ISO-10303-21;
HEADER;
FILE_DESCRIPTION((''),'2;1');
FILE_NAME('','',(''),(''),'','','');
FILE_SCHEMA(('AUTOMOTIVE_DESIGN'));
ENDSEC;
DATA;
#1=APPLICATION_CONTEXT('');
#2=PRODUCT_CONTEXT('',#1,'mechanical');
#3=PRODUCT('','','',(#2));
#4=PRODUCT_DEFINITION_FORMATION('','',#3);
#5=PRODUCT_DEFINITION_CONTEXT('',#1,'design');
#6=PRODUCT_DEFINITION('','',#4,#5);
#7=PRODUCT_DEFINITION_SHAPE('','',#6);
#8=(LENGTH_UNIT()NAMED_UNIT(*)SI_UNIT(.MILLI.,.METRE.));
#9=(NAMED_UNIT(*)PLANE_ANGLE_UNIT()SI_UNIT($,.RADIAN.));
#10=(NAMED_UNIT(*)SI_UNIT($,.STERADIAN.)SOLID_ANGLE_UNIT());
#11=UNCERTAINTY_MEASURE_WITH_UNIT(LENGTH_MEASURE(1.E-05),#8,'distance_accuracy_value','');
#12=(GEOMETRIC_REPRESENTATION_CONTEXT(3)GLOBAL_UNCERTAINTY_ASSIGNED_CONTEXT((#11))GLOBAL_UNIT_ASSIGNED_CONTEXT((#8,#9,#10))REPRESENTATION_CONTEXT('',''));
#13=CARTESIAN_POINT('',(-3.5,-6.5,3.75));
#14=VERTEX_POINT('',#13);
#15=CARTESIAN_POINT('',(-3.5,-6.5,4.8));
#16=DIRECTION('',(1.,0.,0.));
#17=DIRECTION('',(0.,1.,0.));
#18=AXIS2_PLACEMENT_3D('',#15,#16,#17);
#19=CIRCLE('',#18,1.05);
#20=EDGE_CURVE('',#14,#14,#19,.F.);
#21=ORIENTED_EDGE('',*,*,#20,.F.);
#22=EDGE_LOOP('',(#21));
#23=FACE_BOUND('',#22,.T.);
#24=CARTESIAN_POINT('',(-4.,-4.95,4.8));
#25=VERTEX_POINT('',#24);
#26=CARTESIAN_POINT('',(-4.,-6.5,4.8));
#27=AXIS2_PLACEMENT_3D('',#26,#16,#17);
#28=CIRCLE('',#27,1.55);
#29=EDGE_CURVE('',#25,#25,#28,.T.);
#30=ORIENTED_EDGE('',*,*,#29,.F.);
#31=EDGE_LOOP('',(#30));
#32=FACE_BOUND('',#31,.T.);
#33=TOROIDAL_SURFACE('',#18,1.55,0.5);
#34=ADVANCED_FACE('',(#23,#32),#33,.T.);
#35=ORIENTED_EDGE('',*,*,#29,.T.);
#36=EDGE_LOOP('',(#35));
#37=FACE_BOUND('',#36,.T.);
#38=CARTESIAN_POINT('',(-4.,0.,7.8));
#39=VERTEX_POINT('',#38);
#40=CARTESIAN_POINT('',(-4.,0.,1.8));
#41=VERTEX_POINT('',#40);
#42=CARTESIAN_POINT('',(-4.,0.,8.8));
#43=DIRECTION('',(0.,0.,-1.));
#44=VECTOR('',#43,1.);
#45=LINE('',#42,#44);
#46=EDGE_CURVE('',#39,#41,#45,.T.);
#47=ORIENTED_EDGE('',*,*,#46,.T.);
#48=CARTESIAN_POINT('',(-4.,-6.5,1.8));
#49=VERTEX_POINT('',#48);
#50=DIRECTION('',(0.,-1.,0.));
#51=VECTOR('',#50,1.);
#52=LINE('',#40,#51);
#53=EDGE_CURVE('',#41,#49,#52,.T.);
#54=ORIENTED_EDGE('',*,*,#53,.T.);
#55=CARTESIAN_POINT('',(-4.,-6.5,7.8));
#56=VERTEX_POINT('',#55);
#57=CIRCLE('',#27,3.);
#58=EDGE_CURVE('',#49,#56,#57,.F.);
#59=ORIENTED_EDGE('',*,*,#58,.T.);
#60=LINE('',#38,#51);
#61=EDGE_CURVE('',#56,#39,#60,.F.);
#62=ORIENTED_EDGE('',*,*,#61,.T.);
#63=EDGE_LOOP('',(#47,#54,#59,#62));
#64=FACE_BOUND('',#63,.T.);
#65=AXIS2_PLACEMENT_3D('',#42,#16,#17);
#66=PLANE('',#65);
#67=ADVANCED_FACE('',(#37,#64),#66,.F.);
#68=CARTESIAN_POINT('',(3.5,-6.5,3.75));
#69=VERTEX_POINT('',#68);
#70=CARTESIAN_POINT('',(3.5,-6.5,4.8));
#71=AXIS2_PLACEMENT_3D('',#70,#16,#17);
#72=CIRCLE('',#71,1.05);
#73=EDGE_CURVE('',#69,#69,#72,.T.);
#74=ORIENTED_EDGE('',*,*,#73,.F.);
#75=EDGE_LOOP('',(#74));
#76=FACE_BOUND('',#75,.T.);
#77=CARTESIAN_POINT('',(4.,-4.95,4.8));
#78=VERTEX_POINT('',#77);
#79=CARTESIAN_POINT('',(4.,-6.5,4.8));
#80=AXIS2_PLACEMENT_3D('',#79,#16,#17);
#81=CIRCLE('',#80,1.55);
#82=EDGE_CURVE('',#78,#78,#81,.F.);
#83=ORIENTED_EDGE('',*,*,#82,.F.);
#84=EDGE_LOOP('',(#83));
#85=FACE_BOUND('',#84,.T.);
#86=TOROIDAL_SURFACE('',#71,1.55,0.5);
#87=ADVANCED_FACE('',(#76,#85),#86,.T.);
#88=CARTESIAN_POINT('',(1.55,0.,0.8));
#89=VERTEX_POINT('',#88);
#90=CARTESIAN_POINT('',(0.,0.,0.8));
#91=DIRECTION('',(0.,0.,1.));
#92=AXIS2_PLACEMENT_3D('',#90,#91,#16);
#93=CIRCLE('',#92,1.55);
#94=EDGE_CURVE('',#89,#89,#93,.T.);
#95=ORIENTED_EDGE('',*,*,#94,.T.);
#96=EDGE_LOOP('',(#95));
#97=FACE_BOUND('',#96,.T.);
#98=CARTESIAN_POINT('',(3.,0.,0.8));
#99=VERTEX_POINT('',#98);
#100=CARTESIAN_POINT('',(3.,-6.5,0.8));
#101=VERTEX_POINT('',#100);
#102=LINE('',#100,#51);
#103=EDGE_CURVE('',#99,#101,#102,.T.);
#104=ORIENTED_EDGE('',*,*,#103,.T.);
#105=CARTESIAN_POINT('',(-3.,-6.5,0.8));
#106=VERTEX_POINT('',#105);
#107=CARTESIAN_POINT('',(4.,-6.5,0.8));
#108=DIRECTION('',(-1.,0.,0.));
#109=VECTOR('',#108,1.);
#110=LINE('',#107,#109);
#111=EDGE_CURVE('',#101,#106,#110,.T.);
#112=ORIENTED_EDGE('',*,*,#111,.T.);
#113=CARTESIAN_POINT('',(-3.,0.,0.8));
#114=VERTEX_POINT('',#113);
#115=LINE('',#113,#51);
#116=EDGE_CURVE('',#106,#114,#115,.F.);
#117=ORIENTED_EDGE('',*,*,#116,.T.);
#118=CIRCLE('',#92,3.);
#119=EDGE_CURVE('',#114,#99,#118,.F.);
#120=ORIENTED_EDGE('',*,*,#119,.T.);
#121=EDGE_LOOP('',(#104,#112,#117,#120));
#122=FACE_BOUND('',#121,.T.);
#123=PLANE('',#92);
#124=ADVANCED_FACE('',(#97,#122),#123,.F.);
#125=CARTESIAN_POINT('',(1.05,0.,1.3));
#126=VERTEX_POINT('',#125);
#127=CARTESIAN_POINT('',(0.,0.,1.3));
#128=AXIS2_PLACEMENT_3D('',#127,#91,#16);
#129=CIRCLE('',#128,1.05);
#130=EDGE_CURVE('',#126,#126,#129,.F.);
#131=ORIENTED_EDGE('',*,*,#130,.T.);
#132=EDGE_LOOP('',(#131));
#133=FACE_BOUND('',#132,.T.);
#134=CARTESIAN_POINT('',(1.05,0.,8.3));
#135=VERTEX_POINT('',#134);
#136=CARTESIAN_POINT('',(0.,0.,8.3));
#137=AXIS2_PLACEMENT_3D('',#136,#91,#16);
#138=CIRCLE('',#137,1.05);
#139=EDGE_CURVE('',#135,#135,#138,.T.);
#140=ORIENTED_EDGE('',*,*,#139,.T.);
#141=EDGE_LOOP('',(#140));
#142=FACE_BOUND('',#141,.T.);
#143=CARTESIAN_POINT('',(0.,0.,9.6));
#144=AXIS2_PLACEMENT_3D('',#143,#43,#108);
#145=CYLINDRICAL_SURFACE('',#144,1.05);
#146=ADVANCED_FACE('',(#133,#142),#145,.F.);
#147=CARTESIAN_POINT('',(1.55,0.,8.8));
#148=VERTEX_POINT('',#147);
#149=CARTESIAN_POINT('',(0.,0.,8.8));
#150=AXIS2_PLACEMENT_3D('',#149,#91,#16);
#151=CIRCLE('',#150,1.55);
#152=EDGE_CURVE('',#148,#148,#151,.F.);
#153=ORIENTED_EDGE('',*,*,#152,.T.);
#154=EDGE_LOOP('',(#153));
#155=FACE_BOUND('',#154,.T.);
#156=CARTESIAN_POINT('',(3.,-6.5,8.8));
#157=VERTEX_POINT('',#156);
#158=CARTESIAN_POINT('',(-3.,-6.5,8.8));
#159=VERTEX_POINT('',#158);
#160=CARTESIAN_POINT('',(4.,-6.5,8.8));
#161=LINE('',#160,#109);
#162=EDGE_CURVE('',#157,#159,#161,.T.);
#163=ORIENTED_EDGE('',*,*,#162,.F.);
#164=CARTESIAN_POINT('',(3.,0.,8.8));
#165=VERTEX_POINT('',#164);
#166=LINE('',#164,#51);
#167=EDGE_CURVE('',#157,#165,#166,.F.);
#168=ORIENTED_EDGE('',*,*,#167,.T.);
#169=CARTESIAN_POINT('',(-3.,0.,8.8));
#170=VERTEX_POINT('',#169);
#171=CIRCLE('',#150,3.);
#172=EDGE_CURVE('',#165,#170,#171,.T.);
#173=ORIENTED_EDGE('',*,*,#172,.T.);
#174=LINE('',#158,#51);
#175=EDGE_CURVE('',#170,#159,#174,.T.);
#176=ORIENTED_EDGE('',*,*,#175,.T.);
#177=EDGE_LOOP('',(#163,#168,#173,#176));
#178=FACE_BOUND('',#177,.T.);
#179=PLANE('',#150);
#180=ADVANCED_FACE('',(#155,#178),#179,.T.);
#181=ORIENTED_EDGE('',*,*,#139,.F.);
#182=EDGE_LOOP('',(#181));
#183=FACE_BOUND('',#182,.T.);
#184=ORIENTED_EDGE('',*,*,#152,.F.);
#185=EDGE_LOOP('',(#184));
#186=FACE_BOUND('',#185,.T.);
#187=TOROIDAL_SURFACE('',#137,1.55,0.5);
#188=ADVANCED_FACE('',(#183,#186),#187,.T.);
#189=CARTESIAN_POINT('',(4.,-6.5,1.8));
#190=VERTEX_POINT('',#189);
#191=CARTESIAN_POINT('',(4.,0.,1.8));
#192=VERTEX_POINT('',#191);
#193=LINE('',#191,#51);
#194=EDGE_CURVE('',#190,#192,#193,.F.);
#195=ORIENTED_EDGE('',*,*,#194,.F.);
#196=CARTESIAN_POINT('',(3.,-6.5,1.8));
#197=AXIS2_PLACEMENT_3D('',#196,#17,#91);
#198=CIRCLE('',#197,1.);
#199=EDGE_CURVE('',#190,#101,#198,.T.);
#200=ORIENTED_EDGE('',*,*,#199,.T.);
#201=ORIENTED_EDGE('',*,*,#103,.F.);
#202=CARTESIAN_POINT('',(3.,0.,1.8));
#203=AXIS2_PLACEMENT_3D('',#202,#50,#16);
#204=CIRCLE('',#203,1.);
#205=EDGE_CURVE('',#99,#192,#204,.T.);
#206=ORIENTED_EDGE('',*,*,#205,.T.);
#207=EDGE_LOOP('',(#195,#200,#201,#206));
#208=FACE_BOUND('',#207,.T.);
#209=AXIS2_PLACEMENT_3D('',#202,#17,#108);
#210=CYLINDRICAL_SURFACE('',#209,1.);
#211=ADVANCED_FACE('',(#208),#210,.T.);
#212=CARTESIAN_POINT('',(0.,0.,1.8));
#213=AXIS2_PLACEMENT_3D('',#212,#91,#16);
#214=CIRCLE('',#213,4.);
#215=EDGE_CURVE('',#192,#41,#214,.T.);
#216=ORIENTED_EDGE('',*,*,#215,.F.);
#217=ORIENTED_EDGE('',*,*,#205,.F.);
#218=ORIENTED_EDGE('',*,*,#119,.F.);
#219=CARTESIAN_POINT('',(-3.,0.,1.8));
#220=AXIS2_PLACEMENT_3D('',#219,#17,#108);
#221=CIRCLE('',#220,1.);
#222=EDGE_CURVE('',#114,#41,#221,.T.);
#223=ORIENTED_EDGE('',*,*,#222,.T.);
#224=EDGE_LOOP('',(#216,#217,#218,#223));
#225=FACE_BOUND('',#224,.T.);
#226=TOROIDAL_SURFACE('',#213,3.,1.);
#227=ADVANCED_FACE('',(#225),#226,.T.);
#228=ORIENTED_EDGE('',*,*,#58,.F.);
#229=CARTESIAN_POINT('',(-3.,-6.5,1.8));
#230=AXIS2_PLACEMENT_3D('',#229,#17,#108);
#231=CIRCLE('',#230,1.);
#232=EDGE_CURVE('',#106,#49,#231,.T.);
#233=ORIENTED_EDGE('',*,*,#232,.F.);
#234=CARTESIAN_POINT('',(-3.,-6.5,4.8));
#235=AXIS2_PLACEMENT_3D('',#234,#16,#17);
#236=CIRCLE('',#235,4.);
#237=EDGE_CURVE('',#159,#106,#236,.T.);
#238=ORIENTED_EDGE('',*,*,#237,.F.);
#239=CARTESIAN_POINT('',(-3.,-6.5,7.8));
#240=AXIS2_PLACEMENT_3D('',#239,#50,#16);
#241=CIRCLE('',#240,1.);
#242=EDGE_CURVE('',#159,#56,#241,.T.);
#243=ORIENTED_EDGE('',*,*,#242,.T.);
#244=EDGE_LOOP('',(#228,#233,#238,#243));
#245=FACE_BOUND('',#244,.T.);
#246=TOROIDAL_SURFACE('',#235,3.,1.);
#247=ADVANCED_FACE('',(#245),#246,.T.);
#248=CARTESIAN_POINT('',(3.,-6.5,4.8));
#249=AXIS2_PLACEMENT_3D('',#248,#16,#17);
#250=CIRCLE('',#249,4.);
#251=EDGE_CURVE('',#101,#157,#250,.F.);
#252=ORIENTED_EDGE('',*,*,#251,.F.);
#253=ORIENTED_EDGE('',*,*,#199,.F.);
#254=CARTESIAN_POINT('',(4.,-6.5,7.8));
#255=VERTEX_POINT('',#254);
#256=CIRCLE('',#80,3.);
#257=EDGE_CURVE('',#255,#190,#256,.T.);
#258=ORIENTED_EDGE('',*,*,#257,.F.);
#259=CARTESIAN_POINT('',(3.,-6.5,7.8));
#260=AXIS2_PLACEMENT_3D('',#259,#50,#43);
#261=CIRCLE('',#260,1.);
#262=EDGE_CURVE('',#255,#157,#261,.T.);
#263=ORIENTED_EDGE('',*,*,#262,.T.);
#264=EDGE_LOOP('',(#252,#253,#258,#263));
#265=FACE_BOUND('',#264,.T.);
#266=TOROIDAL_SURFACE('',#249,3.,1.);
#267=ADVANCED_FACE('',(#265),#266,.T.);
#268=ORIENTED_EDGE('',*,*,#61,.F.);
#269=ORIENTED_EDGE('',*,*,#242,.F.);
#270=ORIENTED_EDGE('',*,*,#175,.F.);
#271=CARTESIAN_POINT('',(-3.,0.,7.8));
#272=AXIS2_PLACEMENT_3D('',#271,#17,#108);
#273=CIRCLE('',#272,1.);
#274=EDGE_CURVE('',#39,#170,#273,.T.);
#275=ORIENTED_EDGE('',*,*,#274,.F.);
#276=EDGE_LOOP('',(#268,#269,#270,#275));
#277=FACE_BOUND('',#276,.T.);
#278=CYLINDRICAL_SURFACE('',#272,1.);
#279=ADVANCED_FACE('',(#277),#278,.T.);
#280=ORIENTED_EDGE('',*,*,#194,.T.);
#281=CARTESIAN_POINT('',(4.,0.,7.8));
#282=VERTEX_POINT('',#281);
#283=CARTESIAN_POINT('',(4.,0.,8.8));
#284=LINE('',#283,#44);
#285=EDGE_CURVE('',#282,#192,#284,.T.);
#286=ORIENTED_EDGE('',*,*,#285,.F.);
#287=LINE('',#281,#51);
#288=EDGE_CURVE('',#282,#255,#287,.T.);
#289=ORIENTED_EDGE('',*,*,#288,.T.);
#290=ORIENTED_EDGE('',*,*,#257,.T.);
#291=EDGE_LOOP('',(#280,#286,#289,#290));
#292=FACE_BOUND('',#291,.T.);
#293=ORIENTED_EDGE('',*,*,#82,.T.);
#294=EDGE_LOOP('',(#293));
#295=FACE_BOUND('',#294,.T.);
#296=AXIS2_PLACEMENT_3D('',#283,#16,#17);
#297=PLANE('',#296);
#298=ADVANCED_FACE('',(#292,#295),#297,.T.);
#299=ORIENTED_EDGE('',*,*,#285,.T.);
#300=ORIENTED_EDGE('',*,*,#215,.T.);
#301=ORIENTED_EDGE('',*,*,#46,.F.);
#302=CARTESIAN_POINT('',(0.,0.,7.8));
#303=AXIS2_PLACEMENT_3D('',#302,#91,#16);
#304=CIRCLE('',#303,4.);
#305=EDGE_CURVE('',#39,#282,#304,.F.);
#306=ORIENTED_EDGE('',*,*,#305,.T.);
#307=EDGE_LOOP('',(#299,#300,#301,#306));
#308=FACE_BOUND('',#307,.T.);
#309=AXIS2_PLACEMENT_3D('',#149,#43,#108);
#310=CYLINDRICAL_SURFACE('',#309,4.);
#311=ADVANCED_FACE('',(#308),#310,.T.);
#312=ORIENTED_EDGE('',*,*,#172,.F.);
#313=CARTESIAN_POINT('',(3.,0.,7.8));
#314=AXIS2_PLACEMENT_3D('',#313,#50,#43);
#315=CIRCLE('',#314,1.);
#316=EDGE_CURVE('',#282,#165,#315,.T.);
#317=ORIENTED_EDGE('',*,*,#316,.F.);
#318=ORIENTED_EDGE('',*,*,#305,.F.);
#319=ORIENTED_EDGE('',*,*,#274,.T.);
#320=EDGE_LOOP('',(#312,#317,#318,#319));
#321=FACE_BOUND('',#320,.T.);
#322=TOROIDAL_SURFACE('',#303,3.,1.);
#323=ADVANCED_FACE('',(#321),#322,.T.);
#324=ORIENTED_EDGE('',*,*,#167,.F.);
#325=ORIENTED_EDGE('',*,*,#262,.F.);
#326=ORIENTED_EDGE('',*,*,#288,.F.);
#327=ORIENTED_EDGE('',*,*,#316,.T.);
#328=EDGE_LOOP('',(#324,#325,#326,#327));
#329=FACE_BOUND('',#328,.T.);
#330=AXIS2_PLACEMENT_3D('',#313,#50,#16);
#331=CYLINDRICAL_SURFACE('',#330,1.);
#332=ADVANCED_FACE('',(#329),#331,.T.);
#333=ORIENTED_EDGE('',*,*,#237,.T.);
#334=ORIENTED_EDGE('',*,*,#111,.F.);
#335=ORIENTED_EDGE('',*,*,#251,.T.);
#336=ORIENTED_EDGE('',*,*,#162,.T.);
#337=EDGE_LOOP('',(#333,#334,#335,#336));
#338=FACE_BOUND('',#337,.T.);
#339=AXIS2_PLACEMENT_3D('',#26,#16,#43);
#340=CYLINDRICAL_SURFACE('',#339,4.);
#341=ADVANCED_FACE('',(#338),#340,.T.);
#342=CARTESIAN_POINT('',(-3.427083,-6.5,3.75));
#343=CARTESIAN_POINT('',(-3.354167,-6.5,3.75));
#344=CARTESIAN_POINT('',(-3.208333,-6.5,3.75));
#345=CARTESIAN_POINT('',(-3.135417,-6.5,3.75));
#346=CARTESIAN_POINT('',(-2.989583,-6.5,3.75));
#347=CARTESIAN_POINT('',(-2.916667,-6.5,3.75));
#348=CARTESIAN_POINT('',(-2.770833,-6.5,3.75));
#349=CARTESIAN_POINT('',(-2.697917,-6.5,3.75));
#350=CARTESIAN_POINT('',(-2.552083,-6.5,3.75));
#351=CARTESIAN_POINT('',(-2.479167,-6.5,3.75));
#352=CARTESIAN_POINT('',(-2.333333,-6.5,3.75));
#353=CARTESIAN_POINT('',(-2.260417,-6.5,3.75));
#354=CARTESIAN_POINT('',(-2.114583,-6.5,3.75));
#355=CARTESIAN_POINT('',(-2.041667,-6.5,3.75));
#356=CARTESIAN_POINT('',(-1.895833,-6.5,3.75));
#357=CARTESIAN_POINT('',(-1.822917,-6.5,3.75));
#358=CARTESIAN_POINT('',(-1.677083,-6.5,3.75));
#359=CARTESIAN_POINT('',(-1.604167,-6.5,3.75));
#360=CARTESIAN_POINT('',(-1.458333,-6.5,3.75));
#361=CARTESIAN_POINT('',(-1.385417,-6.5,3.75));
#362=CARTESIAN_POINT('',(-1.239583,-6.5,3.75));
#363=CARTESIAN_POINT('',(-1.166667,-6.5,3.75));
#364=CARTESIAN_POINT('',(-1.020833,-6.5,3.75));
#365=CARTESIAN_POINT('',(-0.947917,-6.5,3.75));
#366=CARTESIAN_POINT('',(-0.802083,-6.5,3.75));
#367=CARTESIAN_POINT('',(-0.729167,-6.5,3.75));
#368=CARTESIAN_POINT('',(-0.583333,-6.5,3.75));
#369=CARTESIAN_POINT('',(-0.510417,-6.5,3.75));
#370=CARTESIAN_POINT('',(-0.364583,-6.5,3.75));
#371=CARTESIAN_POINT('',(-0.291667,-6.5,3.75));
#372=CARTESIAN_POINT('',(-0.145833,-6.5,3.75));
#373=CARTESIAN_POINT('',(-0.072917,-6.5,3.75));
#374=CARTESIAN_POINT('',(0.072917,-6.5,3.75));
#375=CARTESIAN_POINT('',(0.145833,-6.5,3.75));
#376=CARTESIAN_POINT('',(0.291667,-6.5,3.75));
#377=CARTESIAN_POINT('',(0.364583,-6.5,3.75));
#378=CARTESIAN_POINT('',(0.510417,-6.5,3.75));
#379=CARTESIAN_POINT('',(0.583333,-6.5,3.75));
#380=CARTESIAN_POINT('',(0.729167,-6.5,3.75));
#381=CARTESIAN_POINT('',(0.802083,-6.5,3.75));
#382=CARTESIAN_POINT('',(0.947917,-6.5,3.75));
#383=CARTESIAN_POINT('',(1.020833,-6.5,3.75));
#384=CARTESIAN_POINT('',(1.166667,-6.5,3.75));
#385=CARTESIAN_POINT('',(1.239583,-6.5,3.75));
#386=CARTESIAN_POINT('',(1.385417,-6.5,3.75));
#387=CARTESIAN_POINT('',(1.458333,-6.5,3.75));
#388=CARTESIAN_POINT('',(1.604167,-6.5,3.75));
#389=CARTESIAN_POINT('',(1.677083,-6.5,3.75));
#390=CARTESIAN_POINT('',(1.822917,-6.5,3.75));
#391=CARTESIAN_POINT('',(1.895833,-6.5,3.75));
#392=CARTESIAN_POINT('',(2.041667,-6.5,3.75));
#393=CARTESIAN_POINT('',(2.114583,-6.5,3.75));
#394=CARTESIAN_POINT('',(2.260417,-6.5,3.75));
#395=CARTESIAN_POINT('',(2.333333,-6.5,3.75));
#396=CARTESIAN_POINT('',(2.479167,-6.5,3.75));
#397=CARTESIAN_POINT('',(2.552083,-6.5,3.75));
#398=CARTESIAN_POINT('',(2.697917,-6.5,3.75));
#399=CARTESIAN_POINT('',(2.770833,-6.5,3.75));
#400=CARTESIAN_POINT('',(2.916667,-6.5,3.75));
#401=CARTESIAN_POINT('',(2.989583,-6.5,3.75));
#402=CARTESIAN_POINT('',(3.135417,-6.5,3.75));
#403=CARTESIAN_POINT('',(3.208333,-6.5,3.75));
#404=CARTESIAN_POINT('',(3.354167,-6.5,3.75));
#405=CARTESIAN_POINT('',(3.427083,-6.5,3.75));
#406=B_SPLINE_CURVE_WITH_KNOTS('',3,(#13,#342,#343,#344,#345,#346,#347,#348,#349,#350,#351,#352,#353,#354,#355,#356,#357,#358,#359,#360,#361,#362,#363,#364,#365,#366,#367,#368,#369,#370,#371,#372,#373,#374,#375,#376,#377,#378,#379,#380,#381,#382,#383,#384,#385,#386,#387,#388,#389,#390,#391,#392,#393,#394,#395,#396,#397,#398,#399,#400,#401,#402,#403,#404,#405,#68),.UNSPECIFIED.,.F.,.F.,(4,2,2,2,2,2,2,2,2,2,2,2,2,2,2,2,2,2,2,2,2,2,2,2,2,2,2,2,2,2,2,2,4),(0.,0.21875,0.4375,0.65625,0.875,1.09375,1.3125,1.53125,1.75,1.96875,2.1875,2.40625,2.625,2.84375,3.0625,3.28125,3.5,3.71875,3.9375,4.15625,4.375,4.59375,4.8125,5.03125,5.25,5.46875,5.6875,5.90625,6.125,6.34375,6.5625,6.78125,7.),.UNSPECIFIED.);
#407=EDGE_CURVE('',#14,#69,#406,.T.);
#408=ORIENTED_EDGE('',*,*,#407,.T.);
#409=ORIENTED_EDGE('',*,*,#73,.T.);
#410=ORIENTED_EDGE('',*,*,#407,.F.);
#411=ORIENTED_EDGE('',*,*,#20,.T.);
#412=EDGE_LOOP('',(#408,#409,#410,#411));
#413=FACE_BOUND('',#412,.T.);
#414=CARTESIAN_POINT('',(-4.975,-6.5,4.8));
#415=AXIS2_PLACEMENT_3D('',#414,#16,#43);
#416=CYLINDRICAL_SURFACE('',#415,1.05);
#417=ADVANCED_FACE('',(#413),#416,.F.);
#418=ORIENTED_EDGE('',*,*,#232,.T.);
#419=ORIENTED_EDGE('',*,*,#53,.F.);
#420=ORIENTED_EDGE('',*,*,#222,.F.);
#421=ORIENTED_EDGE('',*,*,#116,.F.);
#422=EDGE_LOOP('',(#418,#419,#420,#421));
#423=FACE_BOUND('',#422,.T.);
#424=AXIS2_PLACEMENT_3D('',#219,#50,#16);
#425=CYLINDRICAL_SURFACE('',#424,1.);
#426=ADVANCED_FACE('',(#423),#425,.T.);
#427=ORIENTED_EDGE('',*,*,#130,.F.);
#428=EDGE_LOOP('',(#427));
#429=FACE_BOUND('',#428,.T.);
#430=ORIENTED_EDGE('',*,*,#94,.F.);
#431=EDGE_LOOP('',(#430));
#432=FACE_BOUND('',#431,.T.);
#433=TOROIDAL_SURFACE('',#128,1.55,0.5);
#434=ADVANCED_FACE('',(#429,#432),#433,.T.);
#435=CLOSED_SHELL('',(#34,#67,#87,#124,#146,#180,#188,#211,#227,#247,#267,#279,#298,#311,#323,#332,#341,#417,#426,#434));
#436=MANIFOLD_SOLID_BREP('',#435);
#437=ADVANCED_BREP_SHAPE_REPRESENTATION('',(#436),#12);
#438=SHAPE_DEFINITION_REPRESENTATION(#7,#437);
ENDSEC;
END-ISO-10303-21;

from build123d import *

# Parameters (mm, degrees)
BOSS_EXTRUDE1_START = 0.8
SKETCH2_R           = 4
BOSS_EXTRUDE1_DEPTH = 8
SKETCH10_W          = 8
SKETCH10_H          = 6.5
BOSS_EXTRUDE2_DEPTH = 8
BOSS_EXTRUDE3_START = 4
SKETCH8_R           = 4
BOSS_EXTRUDE3_DEPTH = 8
SKETCH1_R           = 1.05
CUT_EXTRUDE2_DEPTH  = 9.6
CUT_EXTRUDE3_START  = 4.975
SKETCH9_R           = 1.05
CUT_EXTRUDE3_DEPTH  = 9.95
FILLET1_R           = 1
FILLET2_R           = 0.5


with BuildPart() as part:
    # Sketch2 → Boss-Extrude1 (new body)
    with BuildSketch(Plane.XY.offset(BOSS_EXTRUDE1_START)):
        Circle(SKETCH2_R)
    extrude(amount=BOSS_EXTRUDE1_DEPTH)

    # Sketch10 → Boss-Extrude2 (add)
    with BuildSketch(Plane(origin=(0, 0, 0.8), x_dir=(-1, 0, 0), z_dir=(0, 0, -1))):
        with Locations((0, -3.25)):
            Rectangle(SKETCH10_W, SKETCH10_H)
    extrude(amount=-BOSS_EXTRUDE2_DEPTH)

    # Sketch8 → Boss-Extrude3 (add)
    with BuildSketch(Plane(origin=(0, 0, 0), x_dir=(0, 0, -1), z_dir=(1, 0, 0)).offset(BOSS_EXTRUDE3_START)):
        with Locations((-4.8, -6.5)):
            Circle(SKETCH8_R)
    extrude(amount=-BOSS_EXTRUDE3_DEPTH)

    # Sketch1 → Cut-Extrude2 (cut)
    with BuildSketch(Plane.XY):
        Circle(SKETCH1_R)
    extrude(amount=CUT_EXTRUDE2_DEPTH, mode=Mode.SUBTRACT)

    # Sketch9 → Cut-Extrude3 (cut)
    with BuildSketch(Plane(origin=(0, 0, 0), x_dir=(0, 0, -1), z_dir=(1, 0, 0)).offset(CUT_EXTRUDE3_START)):
        with Locations((-4.8, -6.5)):
            Circle(SKETCH9_R)
    extrude(amount=-CUT_EXTRUDE3_DEPTH, mode=Mode.SUBTRACT)

    # Fillet1
    fillet1_edges = [part.edges().sort_by_distance(p)[0] for p in [
        (-4, -3.25, 8.8),
        (4, -3.25, 0.8),
        (0, 4, 0.8),
        (-4, -10.5, 4.8),
        (4, -10.5, 4.8),
        (0, 4, 8.8),
        (-4, -3.25, 0.8),
        (4, -3.25, 8.8),
    ]]
    fillet(fillet1_edges, radius=FILLET1_R)

    # Fillet2
    fillet2_edges = [part.edges().sort_by_distance(p)[0] for p in [
        (-1.05, 0, 8.8),
        (-1.05, 0, 0.8),
        (-4, -6.5, 5.85),
        (4, -6.5, 5.85),
    ]]
    fillet(fillet2_edges, radius=FILLET2_R)


solid = part.part
